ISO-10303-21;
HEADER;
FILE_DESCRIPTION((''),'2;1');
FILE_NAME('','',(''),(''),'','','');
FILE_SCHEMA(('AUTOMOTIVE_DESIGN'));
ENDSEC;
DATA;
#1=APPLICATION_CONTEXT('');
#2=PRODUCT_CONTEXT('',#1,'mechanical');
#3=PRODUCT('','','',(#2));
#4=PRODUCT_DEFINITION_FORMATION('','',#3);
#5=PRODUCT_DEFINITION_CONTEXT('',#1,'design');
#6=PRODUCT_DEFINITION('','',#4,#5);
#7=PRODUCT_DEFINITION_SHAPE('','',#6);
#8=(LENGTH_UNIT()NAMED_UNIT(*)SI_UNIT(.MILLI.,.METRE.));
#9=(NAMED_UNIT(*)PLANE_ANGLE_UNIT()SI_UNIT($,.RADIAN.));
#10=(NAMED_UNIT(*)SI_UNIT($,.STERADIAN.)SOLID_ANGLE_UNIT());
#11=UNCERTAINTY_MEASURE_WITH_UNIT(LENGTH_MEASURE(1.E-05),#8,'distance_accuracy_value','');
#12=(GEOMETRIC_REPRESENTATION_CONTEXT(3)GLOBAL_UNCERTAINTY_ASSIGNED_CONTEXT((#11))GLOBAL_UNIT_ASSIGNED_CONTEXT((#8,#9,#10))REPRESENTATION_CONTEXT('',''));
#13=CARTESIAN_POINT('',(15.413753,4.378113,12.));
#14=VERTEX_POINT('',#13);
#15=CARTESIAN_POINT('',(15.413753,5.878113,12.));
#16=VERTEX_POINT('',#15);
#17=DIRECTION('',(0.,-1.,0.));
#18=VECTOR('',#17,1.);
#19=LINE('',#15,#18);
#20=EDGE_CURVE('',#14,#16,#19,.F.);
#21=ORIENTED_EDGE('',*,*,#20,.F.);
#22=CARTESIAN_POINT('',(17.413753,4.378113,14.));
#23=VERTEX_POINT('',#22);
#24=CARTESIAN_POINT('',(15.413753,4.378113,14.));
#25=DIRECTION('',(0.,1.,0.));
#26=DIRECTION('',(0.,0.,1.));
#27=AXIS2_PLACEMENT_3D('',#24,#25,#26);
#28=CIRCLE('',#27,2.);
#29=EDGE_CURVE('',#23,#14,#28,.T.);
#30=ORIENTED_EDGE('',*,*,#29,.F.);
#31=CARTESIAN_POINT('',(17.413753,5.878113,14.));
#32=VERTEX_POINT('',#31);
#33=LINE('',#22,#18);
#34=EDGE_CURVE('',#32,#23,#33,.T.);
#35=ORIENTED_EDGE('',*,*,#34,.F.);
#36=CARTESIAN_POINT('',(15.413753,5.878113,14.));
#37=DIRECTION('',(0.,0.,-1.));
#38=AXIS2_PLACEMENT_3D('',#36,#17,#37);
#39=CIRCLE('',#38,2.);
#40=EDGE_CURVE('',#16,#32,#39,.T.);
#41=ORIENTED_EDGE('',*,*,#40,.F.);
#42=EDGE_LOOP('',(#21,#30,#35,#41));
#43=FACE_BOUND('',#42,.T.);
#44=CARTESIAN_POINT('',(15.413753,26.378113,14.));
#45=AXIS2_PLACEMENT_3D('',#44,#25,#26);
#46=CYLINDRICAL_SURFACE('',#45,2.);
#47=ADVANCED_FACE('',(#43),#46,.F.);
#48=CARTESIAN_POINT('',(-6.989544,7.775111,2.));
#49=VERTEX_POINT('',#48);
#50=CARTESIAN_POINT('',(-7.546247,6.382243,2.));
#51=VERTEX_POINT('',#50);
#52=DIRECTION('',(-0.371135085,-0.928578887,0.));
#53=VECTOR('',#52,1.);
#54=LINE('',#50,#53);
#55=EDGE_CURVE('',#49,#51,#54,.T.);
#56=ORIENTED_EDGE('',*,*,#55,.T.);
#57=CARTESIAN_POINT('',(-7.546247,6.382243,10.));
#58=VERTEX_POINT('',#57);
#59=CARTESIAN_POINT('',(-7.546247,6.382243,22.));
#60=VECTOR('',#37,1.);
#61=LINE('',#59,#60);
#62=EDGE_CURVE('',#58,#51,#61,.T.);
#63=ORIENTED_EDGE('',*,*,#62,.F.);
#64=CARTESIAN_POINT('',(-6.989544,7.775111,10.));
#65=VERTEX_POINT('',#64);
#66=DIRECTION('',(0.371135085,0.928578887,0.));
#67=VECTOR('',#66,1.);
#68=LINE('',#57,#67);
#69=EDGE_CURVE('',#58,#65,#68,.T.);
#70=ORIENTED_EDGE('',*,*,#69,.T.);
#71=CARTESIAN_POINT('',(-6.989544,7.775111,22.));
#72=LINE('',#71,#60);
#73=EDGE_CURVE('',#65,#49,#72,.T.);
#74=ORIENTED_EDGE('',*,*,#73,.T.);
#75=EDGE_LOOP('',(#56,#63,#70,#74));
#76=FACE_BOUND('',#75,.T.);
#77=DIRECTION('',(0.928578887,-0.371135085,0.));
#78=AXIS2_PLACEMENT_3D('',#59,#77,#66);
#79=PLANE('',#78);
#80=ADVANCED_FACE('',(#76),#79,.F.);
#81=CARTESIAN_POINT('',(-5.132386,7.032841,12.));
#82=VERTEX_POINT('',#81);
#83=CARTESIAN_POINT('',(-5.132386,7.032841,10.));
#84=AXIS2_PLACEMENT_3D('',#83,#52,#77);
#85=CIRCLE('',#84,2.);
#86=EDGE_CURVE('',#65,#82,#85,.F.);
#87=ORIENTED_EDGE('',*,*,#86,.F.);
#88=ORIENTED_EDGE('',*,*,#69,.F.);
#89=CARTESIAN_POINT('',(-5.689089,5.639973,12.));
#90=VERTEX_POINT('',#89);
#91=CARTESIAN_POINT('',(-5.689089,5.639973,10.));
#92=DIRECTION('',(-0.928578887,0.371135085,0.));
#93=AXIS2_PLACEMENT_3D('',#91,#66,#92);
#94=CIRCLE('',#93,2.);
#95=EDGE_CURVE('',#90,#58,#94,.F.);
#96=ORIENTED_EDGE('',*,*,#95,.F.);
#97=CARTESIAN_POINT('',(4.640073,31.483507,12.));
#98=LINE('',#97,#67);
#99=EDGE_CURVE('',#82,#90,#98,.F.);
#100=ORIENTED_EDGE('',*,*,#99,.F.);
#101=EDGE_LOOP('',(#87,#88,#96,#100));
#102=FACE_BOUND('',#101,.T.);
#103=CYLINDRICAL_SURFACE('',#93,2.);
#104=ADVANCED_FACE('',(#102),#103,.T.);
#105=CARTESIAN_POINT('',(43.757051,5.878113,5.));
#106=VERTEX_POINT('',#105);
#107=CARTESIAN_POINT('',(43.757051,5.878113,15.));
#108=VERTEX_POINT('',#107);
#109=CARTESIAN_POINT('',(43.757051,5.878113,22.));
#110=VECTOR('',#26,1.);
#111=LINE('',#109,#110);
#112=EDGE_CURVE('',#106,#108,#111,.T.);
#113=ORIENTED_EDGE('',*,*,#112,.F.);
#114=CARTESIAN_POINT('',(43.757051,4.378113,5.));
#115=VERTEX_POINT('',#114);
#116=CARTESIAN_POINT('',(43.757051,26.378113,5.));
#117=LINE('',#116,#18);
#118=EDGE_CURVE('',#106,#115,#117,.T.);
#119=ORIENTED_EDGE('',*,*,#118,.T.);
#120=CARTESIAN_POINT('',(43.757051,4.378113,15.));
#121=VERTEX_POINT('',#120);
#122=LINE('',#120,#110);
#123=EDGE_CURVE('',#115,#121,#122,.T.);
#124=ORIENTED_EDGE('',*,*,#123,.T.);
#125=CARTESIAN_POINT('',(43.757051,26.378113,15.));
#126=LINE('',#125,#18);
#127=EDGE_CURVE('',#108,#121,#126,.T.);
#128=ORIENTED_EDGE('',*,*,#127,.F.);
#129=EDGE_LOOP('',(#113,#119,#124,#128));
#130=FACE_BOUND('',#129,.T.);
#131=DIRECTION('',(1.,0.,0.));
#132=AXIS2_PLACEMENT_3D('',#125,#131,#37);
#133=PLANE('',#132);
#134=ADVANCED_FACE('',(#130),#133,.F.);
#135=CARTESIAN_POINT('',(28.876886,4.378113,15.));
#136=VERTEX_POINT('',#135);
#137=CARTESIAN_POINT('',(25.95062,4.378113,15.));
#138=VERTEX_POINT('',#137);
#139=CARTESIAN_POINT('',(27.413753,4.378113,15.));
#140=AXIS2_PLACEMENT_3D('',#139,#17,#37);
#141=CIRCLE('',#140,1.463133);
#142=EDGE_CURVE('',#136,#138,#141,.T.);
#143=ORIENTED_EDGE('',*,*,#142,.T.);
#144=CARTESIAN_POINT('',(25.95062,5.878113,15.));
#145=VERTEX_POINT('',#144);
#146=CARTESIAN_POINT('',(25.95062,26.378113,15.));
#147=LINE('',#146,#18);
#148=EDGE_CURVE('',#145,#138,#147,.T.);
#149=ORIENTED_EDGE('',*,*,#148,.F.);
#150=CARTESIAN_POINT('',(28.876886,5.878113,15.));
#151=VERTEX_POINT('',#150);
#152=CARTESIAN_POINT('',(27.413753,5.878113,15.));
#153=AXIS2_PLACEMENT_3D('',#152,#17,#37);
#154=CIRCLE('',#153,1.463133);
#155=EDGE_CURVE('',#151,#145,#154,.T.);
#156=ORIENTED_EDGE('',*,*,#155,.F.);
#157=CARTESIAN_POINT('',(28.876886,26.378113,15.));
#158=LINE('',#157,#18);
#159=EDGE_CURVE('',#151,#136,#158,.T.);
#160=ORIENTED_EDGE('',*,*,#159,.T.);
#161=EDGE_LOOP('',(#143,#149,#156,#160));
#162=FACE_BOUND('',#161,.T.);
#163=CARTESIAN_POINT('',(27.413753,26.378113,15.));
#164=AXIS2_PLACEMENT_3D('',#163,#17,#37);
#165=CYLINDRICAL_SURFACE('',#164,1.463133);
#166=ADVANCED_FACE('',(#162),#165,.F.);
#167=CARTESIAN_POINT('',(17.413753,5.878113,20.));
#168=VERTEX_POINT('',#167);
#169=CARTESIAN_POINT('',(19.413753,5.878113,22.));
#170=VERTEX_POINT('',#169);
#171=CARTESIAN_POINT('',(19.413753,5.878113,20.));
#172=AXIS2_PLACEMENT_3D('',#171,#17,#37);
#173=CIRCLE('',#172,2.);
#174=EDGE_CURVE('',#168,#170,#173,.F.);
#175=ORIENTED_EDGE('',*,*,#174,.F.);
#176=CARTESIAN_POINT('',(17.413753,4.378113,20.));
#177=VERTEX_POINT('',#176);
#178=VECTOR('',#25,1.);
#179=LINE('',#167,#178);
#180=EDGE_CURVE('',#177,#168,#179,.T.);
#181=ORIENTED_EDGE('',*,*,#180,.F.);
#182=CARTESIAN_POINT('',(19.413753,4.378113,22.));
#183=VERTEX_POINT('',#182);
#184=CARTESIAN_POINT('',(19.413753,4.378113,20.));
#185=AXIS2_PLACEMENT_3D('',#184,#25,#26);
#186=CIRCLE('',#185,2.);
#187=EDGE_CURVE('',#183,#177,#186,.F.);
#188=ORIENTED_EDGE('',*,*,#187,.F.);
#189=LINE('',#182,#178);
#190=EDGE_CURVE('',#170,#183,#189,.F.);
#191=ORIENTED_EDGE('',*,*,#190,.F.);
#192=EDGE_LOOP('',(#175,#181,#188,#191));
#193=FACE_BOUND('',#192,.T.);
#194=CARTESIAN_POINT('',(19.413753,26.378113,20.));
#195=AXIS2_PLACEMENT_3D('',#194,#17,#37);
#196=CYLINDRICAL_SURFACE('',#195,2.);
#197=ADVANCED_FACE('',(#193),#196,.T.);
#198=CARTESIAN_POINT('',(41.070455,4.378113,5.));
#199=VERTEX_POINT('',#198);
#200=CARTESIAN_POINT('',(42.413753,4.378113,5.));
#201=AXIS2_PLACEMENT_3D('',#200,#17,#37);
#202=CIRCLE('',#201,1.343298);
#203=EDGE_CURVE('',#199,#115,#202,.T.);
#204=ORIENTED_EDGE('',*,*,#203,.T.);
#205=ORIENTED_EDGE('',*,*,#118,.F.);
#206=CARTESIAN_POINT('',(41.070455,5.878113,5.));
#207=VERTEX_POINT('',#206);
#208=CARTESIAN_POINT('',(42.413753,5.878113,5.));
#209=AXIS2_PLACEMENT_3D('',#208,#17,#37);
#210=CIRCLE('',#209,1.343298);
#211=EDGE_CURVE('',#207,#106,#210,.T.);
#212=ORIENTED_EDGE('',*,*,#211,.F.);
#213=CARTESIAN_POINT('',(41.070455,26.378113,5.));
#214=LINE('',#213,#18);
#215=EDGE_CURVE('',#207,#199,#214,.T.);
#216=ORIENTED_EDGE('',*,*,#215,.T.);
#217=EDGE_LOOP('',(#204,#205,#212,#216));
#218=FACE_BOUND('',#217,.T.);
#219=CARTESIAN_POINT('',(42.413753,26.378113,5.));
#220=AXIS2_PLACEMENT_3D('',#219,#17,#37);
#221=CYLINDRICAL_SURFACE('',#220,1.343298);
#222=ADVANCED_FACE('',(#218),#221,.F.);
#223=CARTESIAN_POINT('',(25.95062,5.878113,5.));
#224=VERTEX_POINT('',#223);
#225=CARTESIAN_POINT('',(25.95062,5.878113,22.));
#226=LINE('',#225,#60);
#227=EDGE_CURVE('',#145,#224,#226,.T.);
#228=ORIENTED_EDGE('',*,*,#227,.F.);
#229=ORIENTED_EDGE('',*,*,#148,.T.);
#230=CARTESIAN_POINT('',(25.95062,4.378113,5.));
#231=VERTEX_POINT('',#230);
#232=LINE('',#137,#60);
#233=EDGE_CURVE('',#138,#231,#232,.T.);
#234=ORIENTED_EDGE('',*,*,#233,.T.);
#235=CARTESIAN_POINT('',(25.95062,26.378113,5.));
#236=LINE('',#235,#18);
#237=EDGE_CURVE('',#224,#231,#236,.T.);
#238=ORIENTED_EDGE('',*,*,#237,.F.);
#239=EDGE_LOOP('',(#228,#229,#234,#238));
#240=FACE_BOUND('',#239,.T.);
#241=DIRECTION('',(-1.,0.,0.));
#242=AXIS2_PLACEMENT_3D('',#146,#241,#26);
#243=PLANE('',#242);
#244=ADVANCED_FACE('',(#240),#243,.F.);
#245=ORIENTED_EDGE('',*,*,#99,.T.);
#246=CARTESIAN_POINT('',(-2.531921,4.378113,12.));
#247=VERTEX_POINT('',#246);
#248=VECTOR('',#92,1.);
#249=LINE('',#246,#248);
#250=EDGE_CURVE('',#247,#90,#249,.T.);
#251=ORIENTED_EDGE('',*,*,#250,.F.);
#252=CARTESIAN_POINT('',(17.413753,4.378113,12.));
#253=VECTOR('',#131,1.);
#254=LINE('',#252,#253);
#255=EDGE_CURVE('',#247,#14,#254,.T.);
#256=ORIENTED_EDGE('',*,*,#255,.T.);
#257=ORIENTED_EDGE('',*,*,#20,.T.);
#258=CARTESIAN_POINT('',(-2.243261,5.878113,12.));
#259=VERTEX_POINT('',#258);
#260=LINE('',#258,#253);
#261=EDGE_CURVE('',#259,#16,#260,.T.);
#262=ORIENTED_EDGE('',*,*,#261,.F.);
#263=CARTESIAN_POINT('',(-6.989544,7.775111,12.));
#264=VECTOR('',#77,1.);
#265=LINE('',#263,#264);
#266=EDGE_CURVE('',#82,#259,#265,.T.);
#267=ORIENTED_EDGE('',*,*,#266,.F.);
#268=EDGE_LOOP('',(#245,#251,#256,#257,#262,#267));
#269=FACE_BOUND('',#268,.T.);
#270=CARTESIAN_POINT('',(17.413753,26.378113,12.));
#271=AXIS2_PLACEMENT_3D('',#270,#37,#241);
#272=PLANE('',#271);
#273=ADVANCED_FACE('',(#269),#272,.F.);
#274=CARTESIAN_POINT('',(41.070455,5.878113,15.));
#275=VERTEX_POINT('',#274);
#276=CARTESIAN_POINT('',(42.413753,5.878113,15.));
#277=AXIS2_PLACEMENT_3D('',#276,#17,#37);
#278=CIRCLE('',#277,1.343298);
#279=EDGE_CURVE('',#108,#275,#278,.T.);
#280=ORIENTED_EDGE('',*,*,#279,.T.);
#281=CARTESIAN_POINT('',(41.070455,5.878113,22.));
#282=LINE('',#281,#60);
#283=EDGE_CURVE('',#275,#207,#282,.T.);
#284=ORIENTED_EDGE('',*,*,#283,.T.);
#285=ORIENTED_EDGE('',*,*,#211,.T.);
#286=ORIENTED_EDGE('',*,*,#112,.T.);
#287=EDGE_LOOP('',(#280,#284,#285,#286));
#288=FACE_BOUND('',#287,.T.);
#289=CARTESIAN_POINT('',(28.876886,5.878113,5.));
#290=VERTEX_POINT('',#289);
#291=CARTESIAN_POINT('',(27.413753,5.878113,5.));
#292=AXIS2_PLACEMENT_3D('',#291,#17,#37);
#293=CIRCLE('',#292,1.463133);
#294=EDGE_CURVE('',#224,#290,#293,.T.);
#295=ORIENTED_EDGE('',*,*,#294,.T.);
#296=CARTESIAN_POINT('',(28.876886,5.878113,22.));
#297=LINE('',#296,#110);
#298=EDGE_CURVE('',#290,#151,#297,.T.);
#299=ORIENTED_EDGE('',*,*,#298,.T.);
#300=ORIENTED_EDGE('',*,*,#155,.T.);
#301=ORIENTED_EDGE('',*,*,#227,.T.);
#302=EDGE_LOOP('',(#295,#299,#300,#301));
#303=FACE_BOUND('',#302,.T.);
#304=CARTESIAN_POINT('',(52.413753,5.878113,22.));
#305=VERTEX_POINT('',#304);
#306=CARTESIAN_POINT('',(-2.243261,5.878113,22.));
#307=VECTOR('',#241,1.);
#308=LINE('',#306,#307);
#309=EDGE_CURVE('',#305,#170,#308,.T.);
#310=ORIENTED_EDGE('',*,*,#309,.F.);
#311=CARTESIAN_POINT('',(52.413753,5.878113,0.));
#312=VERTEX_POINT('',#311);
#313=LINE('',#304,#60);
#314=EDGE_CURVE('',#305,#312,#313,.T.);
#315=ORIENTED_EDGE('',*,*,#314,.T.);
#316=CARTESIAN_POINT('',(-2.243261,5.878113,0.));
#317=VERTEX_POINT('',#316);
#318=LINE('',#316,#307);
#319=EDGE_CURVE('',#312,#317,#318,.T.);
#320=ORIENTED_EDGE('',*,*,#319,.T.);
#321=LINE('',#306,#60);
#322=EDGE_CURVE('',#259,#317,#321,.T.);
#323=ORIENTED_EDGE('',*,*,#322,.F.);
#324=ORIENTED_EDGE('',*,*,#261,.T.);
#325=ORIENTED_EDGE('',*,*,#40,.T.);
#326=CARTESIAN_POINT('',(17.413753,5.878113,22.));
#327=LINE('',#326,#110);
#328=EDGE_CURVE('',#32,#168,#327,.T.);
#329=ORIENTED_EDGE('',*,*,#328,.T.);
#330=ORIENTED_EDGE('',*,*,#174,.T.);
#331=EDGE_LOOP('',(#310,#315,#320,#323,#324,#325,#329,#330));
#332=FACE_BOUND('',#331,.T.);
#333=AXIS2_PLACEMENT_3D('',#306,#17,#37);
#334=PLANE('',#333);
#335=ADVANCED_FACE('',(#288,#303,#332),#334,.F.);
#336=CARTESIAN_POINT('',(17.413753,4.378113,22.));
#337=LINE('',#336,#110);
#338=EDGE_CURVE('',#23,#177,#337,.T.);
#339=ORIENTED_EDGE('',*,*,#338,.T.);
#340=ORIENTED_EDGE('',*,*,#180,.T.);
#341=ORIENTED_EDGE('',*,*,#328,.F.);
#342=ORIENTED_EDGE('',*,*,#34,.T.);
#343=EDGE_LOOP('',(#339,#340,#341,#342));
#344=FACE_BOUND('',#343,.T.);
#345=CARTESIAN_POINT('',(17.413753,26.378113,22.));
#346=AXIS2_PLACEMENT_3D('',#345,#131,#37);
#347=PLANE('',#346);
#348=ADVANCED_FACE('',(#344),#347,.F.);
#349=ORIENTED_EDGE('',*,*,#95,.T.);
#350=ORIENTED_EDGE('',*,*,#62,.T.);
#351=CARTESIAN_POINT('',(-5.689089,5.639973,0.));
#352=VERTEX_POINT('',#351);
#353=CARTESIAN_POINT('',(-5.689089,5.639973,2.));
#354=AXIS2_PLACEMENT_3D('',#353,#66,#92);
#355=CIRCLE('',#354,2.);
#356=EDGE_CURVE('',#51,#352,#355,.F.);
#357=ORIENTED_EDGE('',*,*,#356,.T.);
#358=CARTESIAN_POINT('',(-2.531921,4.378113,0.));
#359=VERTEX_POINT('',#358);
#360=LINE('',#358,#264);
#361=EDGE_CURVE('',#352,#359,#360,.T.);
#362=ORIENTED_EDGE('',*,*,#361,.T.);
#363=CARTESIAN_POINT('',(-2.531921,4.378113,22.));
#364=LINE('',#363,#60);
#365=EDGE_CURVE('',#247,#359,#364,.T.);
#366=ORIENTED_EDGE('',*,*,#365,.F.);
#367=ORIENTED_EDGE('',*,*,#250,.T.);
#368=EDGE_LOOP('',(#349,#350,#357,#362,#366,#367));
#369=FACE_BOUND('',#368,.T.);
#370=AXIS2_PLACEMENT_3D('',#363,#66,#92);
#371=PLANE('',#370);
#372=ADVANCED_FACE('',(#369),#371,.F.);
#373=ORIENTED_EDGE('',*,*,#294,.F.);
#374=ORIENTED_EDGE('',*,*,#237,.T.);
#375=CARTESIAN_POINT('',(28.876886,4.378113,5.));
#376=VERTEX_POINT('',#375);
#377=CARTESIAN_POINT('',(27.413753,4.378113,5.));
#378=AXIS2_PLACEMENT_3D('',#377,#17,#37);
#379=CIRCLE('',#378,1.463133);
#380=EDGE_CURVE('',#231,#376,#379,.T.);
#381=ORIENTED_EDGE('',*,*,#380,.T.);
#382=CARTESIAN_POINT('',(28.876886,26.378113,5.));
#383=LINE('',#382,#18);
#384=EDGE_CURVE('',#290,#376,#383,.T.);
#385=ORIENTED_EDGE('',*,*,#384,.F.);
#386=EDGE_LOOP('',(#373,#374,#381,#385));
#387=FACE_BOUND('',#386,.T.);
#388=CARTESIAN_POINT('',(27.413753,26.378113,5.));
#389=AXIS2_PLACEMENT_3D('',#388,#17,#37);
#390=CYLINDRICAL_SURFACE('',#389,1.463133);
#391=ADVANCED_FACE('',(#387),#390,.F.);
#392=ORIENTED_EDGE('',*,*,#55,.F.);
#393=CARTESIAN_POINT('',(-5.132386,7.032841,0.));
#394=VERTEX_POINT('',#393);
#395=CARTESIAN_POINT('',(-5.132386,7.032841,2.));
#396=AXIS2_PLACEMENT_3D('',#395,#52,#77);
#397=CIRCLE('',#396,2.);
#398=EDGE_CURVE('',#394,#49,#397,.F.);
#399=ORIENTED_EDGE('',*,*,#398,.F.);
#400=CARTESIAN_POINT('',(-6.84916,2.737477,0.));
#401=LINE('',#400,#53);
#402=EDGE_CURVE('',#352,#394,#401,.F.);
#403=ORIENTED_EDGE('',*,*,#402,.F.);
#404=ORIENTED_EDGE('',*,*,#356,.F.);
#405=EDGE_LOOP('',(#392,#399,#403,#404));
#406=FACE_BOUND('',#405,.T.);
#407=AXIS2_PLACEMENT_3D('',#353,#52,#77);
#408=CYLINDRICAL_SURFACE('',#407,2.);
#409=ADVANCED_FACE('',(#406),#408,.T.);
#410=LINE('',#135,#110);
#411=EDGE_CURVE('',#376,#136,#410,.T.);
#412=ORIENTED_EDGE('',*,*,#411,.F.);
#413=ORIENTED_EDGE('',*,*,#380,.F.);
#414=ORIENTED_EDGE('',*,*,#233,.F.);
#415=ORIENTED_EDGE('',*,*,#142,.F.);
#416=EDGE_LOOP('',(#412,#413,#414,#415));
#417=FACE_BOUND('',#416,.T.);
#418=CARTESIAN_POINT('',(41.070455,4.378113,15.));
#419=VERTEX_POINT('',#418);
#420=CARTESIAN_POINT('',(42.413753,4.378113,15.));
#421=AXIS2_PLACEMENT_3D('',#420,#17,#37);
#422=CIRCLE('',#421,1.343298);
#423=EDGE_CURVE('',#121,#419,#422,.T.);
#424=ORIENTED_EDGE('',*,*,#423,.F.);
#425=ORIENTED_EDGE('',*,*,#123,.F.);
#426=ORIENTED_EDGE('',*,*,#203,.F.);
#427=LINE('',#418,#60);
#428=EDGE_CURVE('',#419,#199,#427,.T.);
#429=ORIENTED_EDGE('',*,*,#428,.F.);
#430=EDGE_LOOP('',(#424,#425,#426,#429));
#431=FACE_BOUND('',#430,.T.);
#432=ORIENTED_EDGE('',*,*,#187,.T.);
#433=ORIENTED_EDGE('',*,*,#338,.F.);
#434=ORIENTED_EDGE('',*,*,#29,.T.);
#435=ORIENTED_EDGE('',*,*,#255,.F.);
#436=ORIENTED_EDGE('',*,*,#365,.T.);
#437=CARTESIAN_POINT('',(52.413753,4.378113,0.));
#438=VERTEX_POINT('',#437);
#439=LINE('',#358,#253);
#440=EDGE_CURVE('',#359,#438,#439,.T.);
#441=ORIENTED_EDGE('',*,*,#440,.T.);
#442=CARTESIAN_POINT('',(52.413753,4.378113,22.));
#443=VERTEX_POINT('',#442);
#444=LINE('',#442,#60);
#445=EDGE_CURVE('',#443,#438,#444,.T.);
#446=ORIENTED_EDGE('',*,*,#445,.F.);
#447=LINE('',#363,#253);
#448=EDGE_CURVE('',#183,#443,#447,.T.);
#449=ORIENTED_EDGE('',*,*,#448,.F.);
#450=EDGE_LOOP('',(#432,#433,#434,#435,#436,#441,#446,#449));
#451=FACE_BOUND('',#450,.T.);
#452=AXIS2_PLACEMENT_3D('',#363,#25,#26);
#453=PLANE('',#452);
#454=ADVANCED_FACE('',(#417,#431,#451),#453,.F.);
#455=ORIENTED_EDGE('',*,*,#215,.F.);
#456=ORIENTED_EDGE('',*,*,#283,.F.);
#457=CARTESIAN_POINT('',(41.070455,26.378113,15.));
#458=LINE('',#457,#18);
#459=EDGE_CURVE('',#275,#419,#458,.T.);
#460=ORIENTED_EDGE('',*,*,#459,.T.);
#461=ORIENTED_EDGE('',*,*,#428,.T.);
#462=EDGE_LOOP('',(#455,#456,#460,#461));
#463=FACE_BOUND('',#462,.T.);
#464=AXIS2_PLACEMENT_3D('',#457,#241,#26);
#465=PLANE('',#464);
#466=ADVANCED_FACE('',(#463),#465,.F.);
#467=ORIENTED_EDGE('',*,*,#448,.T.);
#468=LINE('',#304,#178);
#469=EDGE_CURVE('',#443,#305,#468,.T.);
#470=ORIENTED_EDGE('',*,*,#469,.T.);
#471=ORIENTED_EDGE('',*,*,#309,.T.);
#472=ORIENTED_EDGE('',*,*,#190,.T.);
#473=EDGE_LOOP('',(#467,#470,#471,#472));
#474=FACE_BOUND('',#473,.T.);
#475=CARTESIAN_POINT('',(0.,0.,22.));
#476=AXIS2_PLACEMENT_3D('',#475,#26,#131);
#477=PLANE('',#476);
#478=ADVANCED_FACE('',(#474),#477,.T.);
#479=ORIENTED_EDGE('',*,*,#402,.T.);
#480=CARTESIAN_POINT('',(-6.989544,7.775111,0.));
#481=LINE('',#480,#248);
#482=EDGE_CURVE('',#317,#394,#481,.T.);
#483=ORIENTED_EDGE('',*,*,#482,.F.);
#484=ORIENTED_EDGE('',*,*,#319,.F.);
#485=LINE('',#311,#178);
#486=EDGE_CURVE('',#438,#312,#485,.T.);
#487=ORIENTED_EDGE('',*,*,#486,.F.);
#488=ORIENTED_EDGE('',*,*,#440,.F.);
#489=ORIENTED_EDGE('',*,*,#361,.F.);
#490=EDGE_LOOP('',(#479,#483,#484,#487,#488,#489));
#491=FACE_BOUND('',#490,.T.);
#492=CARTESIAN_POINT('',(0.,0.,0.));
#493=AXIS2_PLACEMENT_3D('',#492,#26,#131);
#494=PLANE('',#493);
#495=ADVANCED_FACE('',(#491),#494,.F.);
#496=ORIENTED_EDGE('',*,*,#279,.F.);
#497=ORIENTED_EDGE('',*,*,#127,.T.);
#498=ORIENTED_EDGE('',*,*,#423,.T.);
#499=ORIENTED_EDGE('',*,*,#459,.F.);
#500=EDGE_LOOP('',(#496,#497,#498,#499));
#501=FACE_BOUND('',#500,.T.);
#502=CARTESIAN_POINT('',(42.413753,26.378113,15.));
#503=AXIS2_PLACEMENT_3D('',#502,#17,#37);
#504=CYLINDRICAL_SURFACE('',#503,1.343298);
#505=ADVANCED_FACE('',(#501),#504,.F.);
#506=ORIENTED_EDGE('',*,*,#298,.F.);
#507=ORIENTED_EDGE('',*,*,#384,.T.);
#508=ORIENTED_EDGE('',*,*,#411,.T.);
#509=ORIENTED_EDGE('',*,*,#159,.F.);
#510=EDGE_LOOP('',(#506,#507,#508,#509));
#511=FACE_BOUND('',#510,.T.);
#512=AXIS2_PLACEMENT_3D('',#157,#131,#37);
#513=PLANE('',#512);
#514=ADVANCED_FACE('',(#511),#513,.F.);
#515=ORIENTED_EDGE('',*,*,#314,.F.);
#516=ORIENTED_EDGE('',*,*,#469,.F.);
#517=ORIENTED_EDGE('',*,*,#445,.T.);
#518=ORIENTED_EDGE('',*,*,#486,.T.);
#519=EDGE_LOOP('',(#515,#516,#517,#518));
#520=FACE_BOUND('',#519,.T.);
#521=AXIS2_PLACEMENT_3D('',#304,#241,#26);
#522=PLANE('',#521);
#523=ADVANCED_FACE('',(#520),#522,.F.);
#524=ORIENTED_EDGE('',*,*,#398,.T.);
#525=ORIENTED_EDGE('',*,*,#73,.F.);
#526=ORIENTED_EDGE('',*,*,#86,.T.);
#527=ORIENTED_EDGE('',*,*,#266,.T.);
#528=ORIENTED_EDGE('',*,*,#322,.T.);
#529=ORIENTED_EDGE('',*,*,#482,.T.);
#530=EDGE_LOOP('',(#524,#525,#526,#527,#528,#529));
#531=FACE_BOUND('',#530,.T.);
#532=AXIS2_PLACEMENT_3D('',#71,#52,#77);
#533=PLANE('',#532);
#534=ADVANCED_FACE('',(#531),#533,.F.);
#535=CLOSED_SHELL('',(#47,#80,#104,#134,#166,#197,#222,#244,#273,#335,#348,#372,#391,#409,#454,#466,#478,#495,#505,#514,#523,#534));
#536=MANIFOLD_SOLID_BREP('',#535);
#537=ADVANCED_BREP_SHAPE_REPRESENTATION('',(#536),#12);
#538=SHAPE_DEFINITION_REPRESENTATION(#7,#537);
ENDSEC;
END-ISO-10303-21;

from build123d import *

# Parameters (mm, degrees)
BOSS_EXTRUDE1_DEPTH = 22
SKETCH2_W           = 32.324702558
SKETCH2_H           = 10
CUT_EXTRUDE1_DEPTH  = 22
FILLET2_R           = 2


with BuildPart() as part:
    # Sketch1 → Boss-Extrude1 (new body)
    with BuildSketch(Plane.XY):
        Polygon((-2.531920895, 4.378113215), (-7.546246883, 6.382242673), (-6.989544256, 7.775111003), (-2.24326139, 5.878113215), (52.413753117, 5.878113215), (52.413753117, 4.378113215), align=None)
    extrude(amount=BOSS_EXTRUDE1_DEPTH)

    # Sketch2 → Cut-Extrude1 (cut)
    with BuildSketch(Plane.XZ.offset(-4.378113215)):
        with Locations((1.251401838, 17)):
            Rectangle(SKETCH2_W, SKETCH2_H)
        with BuildLine():
            Line((28.876886466, 15), (28.876886466, 5))
            ThreePointArc((28.876886466, 5), (27.413753117, 3.536866651), (25.950619767, 5))
            Line((25.950619767, 5), (25.950619767, 15))
            ThreePointArc((25.950619767, 15), (27.413753117, 16.463133349), (28.876886466, 15))
        make_face()
        with BuildLine():
            Line((43.757050896, 15), (43.757050896, 5))
            ThreePointArc((43.757050896, 5), (42.413753117, 3.656702221), (41.070455337, 5))
            Line((41.070455337, 5), (41.070455337, 15))
            ThreePointArc((41.070455337, 15), (42.413753117, 16.343297779), (43.757050896, 15))
        make_face()
    extrude(amount=-CUT_EXTRUDE1_DEPTH, mode=Mode.SUBTRACT)

    # Fillet2
    fillet2_edges = [part.edges().sort_by_distance(p)[0] for p in [
        (17.413753117, 5.128113215, 22),
        (-7.26789557, 7.078676838, 12),
        (17.413753117, 5.128113215, 12),
        (-7.26789557, 7.078676838, 0),
    ]]
    fillet(fillet2_edges, radius=FILLET2_R)


solid = part.part
